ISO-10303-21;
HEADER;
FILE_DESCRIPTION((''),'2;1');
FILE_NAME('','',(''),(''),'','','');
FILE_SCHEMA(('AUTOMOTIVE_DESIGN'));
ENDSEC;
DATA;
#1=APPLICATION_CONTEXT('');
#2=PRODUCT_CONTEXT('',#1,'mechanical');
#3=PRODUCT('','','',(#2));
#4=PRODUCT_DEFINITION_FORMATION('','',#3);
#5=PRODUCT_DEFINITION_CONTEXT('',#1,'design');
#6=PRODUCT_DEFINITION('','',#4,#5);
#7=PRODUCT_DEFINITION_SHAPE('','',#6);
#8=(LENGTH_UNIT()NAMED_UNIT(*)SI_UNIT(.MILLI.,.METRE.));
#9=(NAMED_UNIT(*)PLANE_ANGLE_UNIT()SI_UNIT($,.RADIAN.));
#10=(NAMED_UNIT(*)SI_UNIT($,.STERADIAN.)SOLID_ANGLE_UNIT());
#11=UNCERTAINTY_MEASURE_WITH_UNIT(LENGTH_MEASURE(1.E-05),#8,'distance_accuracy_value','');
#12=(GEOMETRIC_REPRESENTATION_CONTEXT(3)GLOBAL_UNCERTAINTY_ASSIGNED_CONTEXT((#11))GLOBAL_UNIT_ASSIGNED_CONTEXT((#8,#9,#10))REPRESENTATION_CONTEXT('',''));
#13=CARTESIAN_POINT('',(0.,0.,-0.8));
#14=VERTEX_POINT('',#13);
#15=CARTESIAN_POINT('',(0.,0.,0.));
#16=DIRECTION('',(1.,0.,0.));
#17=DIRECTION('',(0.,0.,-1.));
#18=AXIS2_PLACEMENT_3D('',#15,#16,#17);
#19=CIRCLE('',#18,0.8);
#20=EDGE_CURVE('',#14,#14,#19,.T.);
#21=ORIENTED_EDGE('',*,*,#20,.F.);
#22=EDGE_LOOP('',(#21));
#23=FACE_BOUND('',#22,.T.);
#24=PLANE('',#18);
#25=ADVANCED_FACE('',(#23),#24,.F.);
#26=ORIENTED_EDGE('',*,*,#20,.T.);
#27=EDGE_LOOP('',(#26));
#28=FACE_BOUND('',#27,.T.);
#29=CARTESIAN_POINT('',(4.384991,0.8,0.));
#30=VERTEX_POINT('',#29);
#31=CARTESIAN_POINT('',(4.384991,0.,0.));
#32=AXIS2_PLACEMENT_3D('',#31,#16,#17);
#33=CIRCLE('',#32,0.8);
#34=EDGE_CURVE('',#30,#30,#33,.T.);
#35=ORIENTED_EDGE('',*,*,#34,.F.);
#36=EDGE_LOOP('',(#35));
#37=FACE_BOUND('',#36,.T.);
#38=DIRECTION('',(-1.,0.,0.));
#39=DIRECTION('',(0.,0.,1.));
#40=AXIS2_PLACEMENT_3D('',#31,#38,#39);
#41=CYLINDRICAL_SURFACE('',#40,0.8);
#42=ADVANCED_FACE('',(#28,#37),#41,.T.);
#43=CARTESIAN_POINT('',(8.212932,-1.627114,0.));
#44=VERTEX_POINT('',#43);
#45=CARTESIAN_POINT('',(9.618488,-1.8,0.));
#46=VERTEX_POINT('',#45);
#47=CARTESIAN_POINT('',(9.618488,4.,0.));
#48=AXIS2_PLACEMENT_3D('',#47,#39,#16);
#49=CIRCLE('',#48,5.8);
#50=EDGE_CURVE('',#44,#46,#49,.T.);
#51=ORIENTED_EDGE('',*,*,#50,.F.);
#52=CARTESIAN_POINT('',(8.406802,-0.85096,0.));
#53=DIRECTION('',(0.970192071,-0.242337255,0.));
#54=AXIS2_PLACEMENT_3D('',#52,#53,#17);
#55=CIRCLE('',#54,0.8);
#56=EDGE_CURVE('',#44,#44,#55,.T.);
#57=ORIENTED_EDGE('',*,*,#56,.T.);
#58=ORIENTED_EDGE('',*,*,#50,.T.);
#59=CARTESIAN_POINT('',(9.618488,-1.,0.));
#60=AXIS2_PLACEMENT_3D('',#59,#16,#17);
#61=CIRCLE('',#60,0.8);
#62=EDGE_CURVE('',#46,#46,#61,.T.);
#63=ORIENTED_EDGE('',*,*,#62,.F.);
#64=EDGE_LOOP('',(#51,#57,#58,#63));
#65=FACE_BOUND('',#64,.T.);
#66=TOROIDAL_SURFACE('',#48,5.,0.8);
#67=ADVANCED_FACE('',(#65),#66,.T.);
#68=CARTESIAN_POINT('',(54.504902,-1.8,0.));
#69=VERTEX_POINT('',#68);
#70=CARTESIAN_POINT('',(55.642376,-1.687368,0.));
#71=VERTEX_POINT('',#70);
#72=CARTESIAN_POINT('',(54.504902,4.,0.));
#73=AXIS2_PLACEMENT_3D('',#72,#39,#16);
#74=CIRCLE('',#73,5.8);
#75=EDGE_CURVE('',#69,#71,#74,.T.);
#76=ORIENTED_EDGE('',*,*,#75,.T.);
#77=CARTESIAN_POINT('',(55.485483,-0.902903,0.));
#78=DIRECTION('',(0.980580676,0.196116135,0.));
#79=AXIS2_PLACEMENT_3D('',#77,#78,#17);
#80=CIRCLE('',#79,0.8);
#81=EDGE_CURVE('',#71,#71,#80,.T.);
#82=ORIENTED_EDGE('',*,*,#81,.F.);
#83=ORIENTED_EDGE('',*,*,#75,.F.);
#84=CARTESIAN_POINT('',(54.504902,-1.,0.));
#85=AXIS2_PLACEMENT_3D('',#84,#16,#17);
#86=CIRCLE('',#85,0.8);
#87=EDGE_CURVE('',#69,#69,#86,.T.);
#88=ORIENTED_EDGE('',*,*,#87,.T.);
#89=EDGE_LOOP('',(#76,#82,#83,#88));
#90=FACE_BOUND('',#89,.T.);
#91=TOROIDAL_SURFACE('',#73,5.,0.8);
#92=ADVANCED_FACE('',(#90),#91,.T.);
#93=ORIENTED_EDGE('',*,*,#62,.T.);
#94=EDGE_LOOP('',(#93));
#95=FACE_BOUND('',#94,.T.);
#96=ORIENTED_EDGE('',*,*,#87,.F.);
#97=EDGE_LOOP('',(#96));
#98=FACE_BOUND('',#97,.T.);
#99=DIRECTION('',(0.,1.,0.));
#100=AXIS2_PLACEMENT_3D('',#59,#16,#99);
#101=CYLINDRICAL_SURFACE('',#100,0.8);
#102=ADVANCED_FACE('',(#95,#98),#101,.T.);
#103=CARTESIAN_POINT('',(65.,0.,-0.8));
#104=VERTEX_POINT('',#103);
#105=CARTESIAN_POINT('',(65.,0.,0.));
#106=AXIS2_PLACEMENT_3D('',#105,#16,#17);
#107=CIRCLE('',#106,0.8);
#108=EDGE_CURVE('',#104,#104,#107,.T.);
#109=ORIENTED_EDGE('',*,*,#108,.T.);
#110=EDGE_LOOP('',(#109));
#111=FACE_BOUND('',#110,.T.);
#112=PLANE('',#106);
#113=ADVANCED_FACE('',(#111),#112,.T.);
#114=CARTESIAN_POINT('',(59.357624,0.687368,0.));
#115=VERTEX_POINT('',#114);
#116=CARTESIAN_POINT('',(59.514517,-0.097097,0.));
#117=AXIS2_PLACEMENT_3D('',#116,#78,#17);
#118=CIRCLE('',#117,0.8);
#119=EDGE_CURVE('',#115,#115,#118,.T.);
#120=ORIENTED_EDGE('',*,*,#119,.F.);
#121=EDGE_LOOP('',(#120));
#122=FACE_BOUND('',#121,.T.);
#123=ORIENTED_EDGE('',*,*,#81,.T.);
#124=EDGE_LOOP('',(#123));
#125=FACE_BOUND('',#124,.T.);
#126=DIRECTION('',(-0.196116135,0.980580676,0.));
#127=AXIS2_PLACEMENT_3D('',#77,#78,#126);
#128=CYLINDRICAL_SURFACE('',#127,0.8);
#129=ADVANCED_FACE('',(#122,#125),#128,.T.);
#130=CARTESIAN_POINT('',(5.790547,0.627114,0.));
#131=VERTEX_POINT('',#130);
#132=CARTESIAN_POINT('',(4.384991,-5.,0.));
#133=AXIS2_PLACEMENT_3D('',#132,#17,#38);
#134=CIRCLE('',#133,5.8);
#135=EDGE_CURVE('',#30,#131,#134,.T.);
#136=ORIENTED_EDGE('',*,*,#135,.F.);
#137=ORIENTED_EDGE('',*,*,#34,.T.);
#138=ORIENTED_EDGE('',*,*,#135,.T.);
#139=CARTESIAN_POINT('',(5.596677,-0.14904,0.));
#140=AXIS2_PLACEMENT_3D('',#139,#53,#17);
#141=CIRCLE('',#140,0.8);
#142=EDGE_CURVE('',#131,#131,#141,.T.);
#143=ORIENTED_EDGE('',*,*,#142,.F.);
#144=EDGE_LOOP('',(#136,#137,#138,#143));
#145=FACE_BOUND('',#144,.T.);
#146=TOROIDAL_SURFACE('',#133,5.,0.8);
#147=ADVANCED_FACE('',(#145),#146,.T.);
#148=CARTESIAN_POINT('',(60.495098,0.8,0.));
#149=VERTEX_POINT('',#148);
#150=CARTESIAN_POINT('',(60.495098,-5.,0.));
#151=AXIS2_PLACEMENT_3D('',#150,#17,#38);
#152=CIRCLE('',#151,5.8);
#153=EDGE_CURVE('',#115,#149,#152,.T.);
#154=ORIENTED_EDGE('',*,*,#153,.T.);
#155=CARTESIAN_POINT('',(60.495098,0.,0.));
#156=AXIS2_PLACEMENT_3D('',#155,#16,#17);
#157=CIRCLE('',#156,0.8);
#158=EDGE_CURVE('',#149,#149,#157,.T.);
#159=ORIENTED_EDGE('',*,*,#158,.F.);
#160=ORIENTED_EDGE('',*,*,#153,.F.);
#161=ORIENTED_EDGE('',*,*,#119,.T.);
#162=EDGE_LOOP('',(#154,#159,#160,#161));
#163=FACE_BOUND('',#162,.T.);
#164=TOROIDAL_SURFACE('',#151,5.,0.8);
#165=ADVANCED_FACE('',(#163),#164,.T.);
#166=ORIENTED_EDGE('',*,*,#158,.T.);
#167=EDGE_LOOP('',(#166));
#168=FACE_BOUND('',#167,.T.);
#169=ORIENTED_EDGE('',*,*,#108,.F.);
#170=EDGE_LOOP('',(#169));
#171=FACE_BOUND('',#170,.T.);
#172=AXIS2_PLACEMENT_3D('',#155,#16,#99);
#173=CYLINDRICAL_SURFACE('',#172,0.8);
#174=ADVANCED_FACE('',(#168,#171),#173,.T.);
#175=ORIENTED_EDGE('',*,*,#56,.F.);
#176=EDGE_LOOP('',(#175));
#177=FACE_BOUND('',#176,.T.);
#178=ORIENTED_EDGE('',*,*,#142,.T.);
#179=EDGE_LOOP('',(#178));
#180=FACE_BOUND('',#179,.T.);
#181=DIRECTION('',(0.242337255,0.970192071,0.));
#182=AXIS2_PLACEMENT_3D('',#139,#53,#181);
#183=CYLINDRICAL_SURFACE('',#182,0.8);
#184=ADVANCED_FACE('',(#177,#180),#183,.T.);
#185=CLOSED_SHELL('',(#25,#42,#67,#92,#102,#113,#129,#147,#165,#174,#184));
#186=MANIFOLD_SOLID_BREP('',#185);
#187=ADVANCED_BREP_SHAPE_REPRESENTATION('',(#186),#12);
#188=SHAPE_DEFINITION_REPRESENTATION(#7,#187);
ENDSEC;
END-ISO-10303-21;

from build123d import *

# Parameters (mm, degrees)
SKETCH1_R = 0.8


with BuildPart() as part:
    # Sweep1: sweep along a path in Sketch2
    with BuildLine(Plane.XY) as sweep1_path:
        Line((0, 0), (4.384990787, 0))
        ThreePointArc((4.384990787, 0), (4.995399757, -0.037399786), (5.596677062, -0.149039645))
        Line((5.596677062, -0.149039645), (8.406801769, -0.850960355))
        ThreePointArc((8.406801769, -0.850960355), (9.008079074, -0.962600214), (9.618488045, -1))
        Line((9.618488045, -1), (54.504902432, -1))
        ThreePointArc((54.504902432, -1), (54.997590522, -0.975666633), (55.485483108, -0.902903378))
        Line((55.485483108, -0.902903378), (59.514516892, -0.097096622))
        ThreePointArc((59.514516892, -0.097096622), (60.002409478, -0.024333367), (60.495097568, 0))
        Line((60.495097568, 0), (65, 0))
    # Sketch1 → Sweep1 (sweep)
    with BuildSketch(Plane(origin=(0, 0, 0), x_dir=(0, 0, -1), z_dir=(1, 0, 0))):
        Circle(SKETCH1_R)
    sweep(path=sweep1_path.line)


solid = part.part
